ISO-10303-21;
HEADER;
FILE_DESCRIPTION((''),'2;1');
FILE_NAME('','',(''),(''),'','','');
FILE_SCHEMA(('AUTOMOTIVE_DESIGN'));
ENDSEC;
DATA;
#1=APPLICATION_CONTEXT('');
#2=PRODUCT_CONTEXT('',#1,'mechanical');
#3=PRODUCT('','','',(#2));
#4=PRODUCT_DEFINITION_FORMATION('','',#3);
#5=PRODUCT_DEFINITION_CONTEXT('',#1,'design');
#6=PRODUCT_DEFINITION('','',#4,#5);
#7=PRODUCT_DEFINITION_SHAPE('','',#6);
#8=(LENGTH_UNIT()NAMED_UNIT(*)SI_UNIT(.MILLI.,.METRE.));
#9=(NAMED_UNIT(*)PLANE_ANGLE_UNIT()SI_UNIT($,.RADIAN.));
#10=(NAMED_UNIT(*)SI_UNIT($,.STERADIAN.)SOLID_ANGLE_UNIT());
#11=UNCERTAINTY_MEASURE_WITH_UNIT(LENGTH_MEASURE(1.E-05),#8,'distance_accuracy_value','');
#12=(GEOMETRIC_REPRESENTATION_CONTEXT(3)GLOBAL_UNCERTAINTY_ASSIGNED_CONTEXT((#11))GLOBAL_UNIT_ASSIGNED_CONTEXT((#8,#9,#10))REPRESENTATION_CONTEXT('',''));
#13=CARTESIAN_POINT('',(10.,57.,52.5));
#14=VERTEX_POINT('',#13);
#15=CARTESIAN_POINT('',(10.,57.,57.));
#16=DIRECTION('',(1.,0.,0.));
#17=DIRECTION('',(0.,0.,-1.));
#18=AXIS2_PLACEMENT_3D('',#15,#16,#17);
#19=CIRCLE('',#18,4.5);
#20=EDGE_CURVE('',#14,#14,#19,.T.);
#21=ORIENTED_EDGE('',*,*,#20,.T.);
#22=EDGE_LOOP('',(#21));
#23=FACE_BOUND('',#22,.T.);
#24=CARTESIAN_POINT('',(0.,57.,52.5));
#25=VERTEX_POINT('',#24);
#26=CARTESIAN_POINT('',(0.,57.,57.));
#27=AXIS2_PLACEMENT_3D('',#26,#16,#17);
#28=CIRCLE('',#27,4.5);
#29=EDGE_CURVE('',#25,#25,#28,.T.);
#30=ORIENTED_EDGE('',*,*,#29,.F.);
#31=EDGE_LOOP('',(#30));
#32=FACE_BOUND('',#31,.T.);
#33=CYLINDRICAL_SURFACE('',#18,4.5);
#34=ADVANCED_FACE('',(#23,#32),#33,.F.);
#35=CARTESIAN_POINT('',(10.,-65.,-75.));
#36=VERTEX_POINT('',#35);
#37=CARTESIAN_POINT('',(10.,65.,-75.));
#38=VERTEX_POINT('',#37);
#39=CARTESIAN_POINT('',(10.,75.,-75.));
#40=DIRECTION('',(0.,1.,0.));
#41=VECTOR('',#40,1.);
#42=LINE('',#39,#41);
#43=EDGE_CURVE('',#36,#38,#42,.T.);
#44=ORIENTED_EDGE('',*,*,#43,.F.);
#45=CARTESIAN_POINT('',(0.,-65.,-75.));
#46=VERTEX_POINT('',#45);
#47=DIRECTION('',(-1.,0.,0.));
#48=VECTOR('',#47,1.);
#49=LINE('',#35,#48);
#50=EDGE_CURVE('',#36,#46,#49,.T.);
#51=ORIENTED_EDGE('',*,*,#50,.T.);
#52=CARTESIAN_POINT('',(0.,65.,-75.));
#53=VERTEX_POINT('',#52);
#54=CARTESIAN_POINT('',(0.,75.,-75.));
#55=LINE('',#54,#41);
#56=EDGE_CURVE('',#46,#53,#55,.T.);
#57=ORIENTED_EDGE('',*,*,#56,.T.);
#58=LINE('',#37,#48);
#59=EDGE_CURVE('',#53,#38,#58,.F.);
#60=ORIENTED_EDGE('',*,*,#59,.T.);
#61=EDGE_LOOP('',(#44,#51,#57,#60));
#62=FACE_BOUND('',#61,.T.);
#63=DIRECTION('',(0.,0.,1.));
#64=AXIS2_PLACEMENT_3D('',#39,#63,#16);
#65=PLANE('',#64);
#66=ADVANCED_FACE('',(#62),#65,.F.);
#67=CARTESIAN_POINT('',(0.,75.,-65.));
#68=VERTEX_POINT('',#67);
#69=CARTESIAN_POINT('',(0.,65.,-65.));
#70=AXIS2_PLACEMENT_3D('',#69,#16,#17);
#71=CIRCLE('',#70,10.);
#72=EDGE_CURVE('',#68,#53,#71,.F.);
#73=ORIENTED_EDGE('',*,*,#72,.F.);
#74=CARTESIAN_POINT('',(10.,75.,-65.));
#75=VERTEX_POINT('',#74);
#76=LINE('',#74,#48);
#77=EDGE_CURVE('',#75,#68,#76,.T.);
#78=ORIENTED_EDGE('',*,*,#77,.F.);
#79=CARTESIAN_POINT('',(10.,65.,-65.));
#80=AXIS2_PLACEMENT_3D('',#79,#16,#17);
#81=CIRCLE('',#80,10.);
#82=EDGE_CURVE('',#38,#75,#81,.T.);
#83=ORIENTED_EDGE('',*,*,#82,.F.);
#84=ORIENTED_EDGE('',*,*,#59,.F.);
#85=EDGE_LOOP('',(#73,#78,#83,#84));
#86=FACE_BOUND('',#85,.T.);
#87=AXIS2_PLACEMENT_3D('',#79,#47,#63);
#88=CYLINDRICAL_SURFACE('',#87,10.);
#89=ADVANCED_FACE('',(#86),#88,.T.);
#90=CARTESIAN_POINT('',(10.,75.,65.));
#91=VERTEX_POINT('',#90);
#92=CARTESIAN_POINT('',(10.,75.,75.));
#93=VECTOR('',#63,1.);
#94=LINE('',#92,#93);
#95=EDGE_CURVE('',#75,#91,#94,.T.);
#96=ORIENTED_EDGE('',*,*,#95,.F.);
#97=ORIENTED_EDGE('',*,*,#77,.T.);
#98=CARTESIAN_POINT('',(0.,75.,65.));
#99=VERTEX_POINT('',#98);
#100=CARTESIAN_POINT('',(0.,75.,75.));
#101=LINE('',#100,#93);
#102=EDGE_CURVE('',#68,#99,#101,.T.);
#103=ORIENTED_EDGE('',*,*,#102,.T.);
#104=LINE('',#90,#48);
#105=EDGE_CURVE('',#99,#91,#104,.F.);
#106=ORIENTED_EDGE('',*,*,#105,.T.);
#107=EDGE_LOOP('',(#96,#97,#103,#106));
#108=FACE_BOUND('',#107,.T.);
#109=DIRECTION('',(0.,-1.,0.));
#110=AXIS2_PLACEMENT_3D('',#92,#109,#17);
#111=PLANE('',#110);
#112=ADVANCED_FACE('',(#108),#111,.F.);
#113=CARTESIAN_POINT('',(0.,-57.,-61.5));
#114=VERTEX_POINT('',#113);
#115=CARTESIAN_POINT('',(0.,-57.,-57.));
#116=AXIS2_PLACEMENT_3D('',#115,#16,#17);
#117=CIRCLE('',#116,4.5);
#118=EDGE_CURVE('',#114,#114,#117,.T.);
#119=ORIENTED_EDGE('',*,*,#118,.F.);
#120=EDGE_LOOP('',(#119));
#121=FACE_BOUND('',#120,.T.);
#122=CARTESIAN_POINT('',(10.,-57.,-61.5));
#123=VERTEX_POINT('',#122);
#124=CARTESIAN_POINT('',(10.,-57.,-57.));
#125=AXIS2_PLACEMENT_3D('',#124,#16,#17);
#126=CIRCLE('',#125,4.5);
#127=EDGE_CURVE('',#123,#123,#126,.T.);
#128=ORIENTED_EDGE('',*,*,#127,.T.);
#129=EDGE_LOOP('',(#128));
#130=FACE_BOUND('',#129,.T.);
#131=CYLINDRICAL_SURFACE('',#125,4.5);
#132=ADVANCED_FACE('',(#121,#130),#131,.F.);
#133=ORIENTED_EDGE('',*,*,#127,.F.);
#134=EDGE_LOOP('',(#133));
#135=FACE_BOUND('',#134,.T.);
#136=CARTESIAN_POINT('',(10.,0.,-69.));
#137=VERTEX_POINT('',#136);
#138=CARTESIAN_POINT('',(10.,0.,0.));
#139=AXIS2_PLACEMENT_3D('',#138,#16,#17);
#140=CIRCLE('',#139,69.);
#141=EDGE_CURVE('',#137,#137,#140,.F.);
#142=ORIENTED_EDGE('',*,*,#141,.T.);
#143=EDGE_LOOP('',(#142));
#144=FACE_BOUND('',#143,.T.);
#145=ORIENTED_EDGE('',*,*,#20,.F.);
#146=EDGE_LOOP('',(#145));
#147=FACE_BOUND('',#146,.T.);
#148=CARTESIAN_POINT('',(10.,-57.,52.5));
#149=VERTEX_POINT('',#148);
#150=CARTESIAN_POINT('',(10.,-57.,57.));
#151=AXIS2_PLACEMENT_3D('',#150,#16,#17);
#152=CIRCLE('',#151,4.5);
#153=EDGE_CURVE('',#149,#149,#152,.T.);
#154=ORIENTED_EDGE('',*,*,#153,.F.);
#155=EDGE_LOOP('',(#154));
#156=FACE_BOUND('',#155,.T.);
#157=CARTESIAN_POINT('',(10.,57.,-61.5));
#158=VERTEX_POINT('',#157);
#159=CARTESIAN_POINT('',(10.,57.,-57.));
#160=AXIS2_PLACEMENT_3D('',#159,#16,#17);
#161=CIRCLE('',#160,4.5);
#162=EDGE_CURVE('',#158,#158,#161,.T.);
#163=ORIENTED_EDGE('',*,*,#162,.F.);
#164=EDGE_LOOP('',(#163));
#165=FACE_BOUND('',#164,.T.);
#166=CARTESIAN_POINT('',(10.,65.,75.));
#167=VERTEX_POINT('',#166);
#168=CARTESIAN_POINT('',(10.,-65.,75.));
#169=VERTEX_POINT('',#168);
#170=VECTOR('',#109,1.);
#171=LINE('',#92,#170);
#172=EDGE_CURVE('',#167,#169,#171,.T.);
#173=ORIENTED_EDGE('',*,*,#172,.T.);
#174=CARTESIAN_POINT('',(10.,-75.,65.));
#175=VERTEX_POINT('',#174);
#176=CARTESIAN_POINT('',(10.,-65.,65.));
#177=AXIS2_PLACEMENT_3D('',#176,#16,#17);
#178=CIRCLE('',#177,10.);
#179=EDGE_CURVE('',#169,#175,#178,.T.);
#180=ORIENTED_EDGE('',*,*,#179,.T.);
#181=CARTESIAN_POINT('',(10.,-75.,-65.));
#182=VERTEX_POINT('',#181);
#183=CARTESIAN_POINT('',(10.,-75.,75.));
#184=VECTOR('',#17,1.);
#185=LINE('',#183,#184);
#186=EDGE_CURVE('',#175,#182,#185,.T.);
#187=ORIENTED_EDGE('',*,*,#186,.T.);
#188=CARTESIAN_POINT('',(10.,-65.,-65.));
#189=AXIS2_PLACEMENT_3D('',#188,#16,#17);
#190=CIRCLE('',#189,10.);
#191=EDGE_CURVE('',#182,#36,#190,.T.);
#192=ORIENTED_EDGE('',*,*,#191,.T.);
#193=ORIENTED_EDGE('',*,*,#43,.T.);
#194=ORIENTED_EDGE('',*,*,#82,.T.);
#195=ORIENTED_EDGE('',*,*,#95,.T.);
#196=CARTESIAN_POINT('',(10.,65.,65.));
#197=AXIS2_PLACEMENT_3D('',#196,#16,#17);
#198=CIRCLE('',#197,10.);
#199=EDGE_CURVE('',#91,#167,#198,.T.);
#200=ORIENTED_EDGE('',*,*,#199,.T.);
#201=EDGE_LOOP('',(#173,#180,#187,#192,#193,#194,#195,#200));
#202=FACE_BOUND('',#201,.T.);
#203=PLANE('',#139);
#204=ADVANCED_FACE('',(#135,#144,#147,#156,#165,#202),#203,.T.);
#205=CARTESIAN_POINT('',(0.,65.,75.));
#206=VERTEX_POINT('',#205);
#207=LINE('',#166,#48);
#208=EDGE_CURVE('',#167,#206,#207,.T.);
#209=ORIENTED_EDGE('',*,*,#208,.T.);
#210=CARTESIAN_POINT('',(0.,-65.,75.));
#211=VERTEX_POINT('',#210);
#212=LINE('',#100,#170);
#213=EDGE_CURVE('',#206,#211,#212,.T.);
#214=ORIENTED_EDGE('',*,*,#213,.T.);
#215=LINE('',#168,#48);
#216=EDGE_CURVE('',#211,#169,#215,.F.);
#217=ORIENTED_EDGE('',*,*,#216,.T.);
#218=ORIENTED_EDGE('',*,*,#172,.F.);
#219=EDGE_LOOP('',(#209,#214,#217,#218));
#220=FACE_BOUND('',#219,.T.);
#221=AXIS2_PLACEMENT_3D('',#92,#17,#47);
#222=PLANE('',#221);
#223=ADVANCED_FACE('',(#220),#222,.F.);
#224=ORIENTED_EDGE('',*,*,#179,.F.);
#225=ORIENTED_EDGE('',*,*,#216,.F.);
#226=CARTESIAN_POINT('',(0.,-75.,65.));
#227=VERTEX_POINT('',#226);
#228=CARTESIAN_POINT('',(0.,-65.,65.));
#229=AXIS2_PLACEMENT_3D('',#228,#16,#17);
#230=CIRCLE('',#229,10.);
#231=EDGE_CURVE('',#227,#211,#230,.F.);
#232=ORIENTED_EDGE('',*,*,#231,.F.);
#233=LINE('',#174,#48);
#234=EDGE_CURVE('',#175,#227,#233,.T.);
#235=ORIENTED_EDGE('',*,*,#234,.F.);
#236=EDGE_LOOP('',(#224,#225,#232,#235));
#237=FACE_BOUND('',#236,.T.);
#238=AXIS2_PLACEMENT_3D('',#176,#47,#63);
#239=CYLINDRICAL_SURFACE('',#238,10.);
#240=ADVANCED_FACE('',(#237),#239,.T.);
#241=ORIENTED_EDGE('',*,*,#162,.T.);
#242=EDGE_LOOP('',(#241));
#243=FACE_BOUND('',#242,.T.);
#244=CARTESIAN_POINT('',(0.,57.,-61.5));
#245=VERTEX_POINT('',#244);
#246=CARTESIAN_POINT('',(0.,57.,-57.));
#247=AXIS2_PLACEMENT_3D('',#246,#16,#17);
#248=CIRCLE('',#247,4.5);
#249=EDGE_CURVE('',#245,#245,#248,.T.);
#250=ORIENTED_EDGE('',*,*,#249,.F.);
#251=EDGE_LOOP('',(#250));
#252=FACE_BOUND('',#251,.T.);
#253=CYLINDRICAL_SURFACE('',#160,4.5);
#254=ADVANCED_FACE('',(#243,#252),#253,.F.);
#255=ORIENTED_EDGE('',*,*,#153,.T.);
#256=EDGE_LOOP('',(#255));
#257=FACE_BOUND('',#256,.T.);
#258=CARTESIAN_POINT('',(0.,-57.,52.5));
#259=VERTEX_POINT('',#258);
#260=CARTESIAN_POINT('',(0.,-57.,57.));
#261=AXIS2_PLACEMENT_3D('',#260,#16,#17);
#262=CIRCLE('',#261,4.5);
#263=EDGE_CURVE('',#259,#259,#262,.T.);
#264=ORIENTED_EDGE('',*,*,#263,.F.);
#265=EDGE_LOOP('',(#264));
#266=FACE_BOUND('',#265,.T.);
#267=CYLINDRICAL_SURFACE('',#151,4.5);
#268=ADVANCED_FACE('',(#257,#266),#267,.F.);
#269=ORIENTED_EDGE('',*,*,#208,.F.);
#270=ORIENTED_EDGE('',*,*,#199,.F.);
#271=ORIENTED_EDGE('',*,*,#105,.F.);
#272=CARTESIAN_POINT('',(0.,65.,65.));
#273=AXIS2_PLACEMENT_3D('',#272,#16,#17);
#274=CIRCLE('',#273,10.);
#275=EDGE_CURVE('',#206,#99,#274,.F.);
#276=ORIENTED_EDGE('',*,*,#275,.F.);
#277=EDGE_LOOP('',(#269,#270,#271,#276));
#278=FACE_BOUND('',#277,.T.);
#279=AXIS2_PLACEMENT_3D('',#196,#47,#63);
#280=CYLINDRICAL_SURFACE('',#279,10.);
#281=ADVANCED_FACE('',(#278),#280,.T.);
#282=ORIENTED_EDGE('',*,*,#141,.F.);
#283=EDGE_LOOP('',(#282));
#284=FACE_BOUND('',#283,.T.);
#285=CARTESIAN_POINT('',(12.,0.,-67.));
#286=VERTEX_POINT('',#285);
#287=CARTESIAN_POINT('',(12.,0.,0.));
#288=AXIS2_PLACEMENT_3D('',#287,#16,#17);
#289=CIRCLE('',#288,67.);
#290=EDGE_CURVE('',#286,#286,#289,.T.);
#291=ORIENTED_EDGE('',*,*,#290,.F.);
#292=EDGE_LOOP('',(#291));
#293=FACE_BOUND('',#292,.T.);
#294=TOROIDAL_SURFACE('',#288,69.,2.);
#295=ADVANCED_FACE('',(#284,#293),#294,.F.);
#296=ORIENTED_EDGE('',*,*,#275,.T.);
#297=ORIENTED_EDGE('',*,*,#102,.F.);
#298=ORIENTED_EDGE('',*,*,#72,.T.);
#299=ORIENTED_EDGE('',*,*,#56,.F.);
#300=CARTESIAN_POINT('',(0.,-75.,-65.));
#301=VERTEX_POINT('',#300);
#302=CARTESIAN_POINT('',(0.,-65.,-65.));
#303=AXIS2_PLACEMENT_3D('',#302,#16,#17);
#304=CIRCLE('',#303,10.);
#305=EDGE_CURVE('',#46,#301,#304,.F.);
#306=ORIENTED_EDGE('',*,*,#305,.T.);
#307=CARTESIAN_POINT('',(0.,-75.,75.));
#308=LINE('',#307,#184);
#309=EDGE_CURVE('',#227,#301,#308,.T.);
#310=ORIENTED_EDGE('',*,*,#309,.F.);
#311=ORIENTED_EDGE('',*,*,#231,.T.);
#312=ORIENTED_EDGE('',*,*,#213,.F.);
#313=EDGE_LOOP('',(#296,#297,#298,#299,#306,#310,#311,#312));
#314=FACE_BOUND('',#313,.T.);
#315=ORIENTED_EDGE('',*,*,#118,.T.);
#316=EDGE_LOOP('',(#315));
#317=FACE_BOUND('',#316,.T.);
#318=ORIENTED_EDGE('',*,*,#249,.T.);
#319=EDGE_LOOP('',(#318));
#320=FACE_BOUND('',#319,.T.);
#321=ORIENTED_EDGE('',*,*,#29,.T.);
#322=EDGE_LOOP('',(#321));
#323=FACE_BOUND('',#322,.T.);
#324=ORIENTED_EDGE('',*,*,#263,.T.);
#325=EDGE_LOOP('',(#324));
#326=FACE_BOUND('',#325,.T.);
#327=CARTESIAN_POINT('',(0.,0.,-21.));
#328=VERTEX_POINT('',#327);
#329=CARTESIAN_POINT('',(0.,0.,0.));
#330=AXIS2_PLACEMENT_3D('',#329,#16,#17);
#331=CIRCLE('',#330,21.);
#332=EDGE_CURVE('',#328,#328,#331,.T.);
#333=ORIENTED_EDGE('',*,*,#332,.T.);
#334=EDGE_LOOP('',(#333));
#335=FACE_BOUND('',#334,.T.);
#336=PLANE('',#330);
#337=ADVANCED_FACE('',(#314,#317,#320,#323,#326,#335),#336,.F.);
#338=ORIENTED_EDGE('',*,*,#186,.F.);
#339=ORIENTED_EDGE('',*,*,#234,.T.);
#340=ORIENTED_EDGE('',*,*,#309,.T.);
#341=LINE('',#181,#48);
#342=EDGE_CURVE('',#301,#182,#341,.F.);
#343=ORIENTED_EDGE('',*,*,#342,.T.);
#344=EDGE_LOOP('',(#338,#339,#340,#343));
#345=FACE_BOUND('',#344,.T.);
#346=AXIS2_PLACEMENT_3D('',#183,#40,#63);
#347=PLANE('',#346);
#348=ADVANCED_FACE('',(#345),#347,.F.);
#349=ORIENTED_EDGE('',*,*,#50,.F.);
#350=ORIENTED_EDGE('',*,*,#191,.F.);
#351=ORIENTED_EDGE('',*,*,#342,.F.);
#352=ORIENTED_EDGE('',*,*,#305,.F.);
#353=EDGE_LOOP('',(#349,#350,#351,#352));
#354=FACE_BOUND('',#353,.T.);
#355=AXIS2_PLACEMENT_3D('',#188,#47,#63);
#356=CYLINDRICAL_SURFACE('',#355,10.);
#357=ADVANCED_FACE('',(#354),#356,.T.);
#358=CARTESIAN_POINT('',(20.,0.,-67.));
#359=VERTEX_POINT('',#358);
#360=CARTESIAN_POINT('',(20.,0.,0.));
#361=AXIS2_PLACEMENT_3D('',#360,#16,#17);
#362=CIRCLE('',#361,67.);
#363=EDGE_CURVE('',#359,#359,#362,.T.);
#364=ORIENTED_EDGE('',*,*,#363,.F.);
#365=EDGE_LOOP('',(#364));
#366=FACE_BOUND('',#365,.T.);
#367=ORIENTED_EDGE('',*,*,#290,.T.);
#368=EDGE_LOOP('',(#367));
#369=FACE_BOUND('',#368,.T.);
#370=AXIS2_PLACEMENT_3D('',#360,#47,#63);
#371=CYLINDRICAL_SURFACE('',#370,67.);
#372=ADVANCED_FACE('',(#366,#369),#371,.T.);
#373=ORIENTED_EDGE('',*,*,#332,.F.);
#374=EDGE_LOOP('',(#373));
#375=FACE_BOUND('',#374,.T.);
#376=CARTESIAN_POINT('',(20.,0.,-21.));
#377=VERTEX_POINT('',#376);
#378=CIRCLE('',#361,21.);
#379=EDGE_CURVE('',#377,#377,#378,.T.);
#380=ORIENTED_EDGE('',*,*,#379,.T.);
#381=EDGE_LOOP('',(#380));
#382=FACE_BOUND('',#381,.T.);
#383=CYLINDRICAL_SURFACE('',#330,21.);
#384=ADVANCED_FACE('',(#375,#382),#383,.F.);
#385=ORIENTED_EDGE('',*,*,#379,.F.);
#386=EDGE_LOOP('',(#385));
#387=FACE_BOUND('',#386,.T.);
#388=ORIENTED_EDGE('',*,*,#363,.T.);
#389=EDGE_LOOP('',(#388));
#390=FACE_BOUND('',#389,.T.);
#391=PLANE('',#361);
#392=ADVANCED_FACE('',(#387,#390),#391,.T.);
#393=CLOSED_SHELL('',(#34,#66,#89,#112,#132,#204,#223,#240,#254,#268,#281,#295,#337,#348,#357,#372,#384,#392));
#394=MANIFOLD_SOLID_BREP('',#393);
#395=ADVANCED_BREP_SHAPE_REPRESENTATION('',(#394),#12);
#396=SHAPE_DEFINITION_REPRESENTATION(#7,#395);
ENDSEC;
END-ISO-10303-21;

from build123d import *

# Parameters (mm, degrees)
CROQUIS1_W                   = 150
CROQUIS1_H                   = 150
SALIENTE_EXTRUIR1_DEPTH      = 10
CROQUIS2_R                   = 67
SALIENTE_EXTRUIR2_DEPTH      = 10
REDONDEO1_R                  = 10
REDONDEO2_R                  = 2
CROQUIS3_R                   = 21
CORTAR_EXTRUIR1_DEPTH        = 108.935165725
TALADRO_DE_MARGEN_PARA_M81_D = 9
TALADRO_DE_MARGEN_PARA_M82_D = 9


with BuildPart() as part:
    # Croquis1 → Saliente-Extruir1 (new body)
    with BuildSketch(Plane(origin=(0, 0, 0), x_dir=(0, 0, -1), z_dir=(1, 0, 0))):
        Rectangle(CROQUIS1_W, CROQUIS1_H)
    extrude(amount=SALIENTE_EXTRUIR1_DEPTH)

    # Croquis2 → Saliente-Extruir2 (add)
    with BuildSketch(Plane(origin=(10, 0, 0), x_dir=(0, 0, -1), z_dir=(1, 0, 0))):
        Circle(CROQUIS2_R)
    extrude(amount=SALIENTE_EXTRUIR2_DEPTH)

    # Redondeo1
    redondeo1_edges = [part.edges().sort_by_distance(p)[0] for p in [
        (5, -75, -75),
        (5, -75, 75),
        (5, 75, 75),
        (5, 75, -75),
    ]]
    fillet(redondeo1_edges, radius=REDONDEO1_R)

    # Redondeo2
    redondeo2_edges = [part.edges().sort_by_distance(p)[0] for p in [
        (10, 0, 67),
    ]]
    fillet(redondeo2_edges, radius=REDONDEO2_R)

    # Croquis3 → Cortar-Extruir1 (cut, through all)
    with BuildSketch(Plane(origin=(20, 0, 0), x_dir=(0, 0, -1), z_dir=(1, 0, 0))):
        Circle(CROQUIS3_R)
    extrude(amount=-CORTAR_EXTRUIR1_DEPTH, mode=Mode.SUBTRACT)

    # Taladro de margen para M81 (through all)
    with Locations(Plane(origin=(10, -7.41730184, 252.760845032), x_dir=(0, 0, -1), z_dir=(1, 0, 0))):
        with Locations((195.760845032, 64.41730184), (309.760845032, 64.41730184)):
            Hole(TALADRO_DE_MARGEN_PARA_M81_D / 2)

    # Taladro de margen para M82 (through all)
    with Locations(Plane(origin=(10, -7.41730184, 252.760845032), x_dir=(0, 0, -1), z_dir=(1, 0, 0))):
        with Locations((309.760845032, -49.58269816), (195.760845032, -49.58269816)):
            Hole(TALADRO_DE_MARGEN_PARA_M82_D / 2)


solid = part.part
